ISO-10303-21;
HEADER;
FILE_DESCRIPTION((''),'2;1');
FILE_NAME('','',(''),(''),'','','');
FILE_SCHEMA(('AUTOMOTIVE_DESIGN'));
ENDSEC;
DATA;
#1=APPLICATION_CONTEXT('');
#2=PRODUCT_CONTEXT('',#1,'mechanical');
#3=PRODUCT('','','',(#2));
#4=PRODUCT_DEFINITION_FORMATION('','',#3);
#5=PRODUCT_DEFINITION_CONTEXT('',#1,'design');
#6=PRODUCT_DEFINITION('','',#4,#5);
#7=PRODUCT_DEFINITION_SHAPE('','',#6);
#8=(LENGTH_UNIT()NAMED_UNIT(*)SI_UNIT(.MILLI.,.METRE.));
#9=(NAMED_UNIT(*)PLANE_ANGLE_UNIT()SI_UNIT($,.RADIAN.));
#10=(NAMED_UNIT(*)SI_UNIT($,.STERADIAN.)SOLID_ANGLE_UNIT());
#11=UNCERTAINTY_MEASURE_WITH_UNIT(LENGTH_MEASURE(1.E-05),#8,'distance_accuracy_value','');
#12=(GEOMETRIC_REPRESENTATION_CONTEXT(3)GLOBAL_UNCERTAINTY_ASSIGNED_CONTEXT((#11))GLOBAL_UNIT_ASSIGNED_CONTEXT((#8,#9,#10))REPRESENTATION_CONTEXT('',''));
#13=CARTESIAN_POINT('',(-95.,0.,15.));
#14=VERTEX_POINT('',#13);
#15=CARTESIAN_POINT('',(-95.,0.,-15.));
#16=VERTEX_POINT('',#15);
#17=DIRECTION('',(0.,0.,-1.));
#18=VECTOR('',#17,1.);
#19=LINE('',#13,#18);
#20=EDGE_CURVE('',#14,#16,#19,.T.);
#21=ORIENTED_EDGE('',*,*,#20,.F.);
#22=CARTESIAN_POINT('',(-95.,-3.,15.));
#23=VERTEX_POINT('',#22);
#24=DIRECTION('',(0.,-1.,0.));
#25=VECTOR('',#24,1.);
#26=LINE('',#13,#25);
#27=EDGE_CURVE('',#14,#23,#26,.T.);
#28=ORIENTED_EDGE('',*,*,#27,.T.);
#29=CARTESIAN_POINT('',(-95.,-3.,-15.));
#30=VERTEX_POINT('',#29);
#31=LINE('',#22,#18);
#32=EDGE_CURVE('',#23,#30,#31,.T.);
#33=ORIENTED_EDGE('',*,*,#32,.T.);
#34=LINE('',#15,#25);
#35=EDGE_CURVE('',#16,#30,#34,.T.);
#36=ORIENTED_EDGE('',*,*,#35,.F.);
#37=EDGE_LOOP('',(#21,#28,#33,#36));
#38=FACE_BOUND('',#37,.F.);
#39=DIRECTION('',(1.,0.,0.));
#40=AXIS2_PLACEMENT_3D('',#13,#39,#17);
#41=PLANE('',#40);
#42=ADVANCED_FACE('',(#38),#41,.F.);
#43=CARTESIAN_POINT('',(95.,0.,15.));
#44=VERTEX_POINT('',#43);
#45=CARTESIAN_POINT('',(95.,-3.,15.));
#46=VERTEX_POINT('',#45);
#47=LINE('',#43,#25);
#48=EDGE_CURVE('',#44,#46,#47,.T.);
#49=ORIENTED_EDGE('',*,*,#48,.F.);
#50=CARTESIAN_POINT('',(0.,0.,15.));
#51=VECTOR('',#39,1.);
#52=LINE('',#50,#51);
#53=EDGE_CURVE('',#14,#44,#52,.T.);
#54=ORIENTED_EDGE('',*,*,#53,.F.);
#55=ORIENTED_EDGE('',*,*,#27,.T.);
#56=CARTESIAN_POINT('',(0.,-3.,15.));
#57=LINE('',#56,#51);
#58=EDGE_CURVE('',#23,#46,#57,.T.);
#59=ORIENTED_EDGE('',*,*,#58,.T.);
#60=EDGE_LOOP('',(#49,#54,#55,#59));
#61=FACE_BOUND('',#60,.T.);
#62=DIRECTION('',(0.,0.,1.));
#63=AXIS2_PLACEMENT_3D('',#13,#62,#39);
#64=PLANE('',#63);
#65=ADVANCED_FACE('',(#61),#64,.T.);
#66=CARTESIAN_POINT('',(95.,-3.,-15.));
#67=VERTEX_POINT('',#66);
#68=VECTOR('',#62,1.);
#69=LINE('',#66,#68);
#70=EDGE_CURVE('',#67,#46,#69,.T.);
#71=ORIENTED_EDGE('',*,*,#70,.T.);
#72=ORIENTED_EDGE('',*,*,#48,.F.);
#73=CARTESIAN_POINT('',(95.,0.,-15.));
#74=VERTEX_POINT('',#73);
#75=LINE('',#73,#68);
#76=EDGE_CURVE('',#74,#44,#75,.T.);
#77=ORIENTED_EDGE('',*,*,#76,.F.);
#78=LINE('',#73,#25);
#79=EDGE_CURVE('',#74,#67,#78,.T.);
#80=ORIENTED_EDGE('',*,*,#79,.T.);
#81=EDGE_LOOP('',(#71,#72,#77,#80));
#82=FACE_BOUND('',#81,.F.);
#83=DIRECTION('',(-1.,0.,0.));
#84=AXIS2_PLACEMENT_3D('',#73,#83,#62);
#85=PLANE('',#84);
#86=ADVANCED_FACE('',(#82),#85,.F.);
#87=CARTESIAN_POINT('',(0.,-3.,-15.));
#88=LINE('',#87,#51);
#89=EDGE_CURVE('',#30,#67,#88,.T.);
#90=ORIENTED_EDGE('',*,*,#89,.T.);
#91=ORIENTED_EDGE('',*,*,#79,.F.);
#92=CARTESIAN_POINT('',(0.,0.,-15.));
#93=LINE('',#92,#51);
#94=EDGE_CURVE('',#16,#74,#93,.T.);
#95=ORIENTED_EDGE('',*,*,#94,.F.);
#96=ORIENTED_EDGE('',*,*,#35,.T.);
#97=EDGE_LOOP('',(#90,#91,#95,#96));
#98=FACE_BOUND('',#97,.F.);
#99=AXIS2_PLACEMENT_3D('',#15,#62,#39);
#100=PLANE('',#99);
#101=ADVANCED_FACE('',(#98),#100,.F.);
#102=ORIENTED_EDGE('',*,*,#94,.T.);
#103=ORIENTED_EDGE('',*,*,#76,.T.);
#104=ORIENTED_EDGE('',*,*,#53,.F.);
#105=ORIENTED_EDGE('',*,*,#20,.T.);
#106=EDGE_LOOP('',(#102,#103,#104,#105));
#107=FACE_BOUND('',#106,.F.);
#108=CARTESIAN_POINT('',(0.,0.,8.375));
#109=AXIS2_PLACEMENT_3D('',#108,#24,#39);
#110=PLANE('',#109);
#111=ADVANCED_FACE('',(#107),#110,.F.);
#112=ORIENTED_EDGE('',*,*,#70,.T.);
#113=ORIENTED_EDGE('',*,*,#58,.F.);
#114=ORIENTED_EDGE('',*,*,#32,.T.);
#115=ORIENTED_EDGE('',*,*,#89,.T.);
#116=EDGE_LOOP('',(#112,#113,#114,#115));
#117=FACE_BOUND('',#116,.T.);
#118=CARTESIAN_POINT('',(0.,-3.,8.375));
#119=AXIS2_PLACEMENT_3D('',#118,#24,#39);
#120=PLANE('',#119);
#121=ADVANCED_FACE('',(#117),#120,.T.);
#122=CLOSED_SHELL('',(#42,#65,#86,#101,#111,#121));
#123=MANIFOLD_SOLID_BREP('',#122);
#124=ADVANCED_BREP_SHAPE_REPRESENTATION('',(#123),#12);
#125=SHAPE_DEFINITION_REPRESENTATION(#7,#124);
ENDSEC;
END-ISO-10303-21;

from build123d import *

# Parameters (mm, degrees)
F0_W     = 190
F0_H     = 13.25
F0_H_2   = 3.5
F1_DEPTH = 3


with BuildPart() as f1:
    # F0 (on Front) → F1 (new body)
    with BuildSketch(Plane.XZ):
        with Locations((0, 8.375)):
            Rectangle(F0_W, F0_H)
        Rectangle(F0_W, F0_H_2)
        with Locations((0, -8.375)):
            Rectangle(F0_W, F0_H)
    extrude(amount=F1_DEPTH)


solid = f1.part
